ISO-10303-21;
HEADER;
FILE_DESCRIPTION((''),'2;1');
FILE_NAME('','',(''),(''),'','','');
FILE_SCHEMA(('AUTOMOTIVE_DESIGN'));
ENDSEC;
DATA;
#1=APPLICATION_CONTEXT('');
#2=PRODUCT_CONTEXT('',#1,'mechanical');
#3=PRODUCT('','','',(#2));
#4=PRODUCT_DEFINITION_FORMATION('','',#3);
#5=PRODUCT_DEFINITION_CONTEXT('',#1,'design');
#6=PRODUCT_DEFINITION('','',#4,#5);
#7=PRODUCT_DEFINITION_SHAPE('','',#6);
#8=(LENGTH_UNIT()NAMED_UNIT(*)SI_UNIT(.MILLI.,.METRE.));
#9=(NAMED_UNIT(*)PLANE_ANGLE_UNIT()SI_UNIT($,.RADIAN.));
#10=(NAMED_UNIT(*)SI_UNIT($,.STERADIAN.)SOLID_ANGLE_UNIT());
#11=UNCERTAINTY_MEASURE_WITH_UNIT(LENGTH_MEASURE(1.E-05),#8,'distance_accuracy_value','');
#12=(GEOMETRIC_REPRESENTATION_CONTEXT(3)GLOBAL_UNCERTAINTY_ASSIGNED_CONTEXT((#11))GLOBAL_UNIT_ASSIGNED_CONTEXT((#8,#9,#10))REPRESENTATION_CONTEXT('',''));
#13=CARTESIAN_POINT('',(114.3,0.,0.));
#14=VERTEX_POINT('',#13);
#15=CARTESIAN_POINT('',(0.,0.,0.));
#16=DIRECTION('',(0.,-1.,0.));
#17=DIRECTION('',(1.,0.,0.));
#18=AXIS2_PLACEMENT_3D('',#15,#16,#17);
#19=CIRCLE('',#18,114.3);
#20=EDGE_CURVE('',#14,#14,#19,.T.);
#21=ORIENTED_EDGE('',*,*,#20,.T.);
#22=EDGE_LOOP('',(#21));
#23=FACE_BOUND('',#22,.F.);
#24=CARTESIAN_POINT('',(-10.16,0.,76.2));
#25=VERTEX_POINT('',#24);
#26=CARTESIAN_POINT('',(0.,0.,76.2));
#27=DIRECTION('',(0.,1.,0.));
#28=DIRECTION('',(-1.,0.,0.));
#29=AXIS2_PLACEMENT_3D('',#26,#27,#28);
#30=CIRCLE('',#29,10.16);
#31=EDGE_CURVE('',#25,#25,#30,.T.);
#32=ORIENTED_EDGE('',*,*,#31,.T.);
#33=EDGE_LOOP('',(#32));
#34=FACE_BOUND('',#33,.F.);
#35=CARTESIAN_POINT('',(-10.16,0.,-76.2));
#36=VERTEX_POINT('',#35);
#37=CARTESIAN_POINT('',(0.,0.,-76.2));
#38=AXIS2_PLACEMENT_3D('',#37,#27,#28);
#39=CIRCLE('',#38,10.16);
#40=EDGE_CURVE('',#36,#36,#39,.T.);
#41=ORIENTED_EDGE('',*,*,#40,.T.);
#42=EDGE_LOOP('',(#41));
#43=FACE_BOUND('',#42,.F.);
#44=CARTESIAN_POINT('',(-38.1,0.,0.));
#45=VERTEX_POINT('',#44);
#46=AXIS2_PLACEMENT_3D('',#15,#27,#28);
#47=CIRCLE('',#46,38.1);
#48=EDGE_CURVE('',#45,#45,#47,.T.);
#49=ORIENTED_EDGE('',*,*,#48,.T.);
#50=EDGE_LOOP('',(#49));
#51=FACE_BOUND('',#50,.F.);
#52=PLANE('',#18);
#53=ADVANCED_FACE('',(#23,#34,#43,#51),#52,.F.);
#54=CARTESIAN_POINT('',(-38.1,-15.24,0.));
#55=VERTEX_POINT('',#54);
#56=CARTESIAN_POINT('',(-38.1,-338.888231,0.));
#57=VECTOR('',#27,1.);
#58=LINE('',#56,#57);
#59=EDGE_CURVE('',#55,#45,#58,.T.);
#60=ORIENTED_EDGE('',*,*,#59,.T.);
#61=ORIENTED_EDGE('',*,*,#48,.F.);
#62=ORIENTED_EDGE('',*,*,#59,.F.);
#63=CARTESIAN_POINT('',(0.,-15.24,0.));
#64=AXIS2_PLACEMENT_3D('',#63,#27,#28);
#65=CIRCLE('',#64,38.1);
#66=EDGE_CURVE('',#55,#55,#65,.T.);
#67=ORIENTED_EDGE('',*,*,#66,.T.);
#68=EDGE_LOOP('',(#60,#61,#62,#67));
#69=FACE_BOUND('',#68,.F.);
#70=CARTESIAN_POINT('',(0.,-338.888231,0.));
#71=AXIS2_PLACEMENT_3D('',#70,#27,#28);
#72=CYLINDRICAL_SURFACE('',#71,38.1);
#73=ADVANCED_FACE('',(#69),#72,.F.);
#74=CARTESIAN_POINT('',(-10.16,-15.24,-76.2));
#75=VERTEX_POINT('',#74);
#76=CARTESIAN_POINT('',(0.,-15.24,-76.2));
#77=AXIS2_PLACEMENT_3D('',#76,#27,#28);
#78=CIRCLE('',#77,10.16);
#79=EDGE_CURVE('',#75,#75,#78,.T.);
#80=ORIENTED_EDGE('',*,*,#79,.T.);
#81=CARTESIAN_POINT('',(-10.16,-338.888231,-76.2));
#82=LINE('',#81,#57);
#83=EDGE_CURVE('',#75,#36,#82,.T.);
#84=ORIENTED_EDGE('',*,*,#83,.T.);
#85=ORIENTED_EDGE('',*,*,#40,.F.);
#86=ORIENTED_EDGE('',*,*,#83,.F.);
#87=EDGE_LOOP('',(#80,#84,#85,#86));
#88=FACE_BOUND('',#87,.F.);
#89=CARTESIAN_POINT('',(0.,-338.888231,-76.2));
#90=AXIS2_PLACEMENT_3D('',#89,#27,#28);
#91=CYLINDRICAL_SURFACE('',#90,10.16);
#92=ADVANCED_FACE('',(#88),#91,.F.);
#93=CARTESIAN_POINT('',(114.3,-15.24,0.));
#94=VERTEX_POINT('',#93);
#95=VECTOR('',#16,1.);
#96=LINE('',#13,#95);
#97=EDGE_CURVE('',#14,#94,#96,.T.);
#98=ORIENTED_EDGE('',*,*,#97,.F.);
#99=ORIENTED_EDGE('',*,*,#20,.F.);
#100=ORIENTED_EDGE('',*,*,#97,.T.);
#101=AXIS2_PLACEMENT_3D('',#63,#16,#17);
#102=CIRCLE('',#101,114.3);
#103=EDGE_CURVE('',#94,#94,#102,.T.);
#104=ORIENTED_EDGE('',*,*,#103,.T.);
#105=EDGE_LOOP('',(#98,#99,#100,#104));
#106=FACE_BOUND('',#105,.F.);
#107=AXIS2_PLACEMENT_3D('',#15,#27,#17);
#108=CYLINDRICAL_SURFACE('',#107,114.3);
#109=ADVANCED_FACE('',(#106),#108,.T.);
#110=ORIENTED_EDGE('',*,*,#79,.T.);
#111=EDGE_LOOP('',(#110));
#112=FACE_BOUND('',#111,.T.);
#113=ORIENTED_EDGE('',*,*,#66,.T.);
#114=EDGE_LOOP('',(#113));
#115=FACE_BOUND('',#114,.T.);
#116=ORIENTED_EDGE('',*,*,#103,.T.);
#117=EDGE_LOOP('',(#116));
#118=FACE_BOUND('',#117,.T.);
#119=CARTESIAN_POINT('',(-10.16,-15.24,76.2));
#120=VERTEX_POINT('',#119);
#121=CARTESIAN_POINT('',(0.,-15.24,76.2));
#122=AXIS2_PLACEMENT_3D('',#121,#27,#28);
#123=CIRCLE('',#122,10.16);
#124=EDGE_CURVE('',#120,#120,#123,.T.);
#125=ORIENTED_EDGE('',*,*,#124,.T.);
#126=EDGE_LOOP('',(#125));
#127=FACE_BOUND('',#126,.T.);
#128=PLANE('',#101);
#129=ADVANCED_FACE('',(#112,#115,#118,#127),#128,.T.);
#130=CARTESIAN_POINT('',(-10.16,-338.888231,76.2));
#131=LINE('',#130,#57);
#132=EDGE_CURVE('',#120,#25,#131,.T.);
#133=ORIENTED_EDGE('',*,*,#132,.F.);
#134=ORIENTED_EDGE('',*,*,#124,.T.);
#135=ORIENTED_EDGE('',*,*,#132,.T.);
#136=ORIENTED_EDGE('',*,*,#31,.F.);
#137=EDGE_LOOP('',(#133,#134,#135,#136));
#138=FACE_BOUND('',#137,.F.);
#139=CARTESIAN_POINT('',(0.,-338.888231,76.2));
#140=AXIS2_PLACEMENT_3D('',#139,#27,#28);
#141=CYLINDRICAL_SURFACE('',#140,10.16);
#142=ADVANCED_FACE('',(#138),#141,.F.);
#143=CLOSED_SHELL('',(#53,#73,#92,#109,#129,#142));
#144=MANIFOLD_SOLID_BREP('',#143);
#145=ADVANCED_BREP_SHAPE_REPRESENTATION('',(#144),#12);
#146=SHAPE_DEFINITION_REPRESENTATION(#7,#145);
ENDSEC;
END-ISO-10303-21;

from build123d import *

# Parameters (mm, degrees)
F0_R     = 114.3
F1_DEPTH = 15.24
F3_D     = 76.2
F5_D     = 20.32
F7_D     = 20.32


with BuildPart() as f1:
    # F0 (on Front) → F1 (new body)
    with BuildSketch(Plane.XZ):
        Circle(F0_R)
    extrude(amount=F1_DEPTH)

    # F3 (through all)
    with Locations(Plane.XZ.offset(15.24)):
        with Locations((0, 0)):
            Hole(F3_D / 2)

    # F5 (through all)
    with Locations(Plane.XZ.offset(15.24)):
        with Locations((0, 76.2)):
            Hole(F5_D / 2)

    # F7 (through all)
    with Locations(Plane.XZ.offset(15.24)):
        with Locations((0, -76.2)):
            Hole(F7_D / 2)


solid = f1.part
